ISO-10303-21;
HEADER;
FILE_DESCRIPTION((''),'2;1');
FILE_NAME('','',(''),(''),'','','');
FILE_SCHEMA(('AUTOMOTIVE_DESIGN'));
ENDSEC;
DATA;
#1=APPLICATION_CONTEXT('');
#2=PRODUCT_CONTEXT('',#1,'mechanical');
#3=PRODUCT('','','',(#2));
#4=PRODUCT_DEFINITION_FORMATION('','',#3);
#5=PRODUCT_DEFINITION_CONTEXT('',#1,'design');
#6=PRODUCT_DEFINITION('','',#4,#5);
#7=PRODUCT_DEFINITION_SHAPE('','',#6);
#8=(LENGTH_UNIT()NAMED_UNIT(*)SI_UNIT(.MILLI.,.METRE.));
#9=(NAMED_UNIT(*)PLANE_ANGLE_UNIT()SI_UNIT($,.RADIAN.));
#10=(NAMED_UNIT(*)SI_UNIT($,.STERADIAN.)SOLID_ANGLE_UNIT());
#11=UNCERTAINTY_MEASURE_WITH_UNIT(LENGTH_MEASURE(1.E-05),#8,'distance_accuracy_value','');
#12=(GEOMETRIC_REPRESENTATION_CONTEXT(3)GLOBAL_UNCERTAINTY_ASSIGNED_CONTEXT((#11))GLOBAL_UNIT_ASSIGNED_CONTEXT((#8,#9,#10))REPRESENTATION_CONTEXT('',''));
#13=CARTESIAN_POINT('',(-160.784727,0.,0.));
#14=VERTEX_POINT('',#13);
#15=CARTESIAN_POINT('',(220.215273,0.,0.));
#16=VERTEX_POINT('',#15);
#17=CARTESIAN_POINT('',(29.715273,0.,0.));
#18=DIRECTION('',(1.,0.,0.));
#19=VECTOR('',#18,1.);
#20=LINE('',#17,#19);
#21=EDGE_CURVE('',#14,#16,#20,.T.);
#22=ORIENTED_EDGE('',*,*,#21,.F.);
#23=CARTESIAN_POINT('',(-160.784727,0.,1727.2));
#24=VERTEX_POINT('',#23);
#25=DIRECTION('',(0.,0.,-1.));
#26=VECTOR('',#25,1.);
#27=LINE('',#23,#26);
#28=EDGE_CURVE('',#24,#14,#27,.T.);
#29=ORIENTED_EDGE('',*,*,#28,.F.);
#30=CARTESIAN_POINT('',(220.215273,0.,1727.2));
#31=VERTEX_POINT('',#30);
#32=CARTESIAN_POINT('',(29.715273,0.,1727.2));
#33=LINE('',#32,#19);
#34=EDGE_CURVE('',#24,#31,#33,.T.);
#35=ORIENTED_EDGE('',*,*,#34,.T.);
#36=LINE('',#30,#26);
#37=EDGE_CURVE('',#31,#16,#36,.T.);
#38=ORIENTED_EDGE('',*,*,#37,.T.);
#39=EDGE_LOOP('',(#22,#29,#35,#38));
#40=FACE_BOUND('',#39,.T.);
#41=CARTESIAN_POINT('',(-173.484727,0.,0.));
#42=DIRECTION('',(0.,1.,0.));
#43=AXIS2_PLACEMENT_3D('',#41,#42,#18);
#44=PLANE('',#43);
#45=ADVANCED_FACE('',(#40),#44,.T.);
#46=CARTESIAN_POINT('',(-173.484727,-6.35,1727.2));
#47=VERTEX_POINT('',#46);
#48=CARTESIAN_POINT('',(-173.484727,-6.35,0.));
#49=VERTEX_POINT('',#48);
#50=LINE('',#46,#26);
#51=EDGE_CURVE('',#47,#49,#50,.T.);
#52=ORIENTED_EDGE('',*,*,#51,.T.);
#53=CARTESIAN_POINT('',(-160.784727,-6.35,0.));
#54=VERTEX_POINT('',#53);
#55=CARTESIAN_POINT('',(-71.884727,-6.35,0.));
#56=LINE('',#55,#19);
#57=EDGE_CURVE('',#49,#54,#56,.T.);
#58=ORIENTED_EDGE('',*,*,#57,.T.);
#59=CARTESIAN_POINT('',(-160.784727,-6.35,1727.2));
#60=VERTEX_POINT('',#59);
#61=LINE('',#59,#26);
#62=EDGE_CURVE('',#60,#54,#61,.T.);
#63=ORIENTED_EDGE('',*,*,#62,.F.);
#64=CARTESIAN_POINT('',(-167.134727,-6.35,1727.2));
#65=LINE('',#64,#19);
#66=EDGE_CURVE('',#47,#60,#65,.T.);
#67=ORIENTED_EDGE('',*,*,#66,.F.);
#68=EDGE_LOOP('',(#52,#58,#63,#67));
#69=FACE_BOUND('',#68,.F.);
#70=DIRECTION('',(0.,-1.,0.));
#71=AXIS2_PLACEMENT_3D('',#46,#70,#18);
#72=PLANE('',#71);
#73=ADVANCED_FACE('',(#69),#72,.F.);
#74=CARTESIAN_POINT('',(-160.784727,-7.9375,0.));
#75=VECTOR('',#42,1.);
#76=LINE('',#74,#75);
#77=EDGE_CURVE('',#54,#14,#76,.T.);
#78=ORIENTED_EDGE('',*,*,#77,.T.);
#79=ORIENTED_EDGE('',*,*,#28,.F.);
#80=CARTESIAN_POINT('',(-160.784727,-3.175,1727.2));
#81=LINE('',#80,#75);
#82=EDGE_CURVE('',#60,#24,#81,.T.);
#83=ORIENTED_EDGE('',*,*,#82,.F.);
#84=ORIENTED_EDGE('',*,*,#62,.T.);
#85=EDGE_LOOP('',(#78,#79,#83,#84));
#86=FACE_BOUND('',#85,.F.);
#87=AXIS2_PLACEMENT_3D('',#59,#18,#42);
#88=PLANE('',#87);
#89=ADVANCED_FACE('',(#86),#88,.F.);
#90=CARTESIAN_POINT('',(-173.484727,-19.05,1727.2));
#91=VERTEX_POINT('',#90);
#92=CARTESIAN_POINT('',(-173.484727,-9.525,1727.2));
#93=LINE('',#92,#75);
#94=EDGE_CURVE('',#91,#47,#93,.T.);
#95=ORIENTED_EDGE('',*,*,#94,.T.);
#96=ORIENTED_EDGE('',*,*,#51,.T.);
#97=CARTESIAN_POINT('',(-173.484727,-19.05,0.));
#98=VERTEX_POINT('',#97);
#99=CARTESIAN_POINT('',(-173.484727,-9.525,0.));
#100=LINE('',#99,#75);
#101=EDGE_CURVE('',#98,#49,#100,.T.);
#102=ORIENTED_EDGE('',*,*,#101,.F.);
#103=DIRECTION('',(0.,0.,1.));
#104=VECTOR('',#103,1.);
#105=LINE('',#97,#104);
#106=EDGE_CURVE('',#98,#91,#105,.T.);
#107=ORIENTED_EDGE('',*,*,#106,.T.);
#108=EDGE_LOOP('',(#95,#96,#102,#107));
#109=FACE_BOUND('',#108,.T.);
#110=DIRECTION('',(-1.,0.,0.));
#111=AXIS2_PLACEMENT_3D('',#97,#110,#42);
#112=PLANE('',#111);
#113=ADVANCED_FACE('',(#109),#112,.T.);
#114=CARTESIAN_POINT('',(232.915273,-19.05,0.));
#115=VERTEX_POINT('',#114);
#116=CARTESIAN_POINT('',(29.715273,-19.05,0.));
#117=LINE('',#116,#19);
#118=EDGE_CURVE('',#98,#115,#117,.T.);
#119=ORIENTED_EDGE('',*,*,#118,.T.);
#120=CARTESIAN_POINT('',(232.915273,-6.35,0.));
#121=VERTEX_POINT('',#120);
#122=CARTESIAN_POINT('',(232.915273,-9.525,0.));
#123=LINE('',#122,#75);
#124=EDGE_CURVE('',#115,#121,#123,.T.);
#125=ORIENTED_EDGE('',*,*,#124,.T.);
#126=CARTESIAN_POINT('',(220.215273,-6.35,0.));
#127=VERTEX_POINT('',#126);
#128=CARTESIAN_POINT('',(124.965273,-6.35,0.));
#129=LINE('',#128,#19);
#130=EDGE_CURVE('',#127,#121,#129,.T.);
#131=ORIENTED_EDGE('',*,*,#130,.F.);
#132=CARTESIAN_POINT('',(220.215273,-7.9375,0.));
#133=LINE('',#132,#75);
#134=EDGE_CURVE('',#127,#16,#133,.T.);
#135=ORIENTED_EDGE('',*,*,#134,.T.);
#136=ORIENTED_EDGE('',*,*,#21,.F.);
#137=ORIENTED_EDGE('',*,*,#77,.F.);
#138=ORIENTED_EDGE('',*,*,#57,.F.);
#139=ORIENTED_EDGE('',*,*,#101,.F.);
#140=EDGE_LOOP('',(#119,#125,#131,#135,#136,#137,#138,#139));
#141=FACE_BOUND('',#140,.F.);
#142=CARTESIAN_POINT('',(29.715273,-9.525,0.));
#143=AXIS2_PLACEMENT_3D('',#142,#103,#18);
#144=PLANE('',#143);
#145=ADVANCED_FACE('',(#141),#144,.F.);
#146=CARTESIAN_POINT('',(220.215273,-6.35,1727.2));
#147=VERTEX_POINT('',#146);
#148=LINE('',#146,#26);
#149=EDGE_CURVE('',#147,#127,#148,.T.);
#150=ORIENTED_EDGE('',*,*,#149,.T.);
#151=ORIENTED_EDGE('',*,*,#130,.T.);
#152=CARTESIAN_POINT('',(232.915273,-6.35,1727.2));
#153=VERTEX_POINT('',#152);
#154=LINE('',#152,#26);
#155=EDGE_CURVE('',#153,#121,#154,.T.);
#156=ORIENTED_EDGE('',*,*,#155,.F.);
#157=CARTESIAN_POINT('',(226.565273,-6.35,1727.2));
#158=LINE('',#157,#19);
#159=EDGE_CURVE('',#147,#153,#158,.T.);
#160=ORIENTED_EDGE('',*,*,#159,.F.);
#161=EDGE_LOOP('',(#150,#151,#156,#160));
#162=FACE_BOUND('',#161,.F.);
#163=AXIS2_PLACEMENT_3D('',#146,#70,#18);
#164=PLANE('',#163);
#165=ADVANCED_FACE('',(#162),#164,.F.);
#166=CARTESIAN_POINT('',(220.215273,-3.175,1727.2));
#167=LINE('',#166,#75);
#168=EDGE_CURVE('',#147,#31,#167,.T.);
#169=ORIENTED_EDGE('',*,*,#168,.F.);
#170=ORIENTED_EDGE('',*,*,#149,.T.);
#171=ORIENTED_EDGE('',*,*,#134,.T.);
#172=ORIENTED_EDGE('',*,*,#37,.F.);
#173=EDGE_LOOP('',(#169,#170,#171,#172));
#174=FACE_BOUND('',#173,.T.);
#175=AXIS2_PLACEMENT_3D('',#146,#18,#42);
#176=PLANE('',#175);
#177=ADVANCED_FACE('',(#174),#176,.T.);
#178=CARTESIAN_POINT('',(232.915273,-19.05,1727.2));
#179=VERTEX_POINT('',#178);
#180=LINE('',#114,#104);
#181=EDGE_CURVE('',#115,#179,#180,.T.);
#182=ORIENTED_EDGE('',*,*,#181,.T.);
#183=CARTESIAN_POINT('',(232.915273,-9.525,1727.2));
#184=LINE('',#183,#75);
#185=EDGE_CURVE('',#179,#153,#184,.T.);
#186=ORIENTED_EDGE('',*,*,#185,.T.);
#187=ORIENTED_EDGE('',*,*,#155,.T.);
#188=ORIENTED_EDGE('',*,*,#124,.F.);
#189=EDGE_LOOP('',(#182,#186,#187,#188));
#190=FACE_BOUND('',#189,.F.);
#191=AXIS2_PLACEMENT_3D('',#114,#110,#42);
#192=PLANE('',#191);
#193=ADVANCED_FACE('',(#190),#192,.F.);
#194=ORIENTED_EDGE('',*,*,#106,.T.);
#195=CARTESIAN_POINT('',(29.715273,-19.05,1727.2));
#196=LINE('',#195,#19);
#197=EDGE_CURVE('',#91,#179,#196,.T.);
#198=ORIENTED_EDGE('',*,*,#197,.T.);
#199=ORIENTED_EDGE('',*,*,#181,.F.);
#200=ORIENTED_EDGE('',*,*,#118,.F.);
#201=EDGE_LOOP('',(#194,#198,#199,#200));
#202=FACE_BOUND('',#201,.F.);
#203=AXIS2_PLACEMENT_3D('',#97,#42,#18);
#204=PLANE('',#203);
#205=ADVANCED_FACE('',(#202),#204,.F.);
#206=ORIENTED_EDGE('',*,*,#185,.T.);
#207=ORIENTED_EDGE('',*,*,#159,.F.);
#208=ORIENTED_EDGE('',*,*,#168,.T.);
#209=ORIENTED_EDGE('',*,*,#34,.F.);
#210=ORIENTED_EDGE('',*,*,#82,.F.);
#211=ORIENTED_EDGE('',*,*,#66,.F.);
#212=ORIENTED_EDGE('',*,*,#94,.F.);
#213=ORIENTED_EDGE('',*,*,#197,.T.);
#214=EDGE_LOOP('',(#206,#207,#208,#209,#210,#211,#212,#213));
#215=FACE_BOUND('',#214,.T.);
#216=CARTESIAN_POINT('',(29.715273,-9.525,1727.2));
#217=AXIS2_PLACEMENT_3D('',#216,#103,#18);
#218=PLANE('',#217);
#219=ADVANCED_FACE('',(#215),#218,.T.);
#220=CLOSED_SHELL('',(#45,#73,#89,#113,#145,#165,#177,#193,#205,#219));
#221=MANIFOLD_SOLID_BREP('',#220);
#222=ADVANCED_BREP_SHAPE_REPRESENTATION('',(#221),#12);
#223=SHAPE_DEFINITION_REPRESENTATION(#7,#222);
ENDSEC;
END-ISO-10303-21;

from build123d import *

# Parameters (mm, degrees)
F0_W       = 406.4
F0_H       = 19.05
F1_DEPTH   = 1727.2
F2_W       = 12.7
F2_H       = 6.35
F1_FACE1_W = 406.4
F1_FACE1_H = 19.05
F3_DEPTH   = 1727.201
F4_W       = 12.7
F4_H       = 6.35
F5_DEPTH   = 1727.201


with BuildPart() as f1:
    # F0 (on Top) → F1 (new body)
    with BuildSketch(Plane.XY):
        with Locations((29.7152733813, -9.525)):
            Rectangle(F0_W, F0_H)
    extrude(amount=F1_DEPTH)

    # F2 (on face) + F1_face1 (on face) → F3 (cut, through all)
    with BuildSketch(Plane.XY.offset(1727.2)):
        with Locations((226.5652733813, -3.175)):
            Rectangle(F2_W, F2_H)
    with BuildSketch(Plane(origin=(29.7152733813, -9.525, 0), x_dir=(1, 0, 0), z_dir=(0, 0, -1))):
        Rectangle(F1_FACE1_W, F1_FACE1_H)
    extrude(amount=-F3_DEPTH, dir=(0, 0, 1), mode=Mode.SUBTRACT)

    # F4 (on face) → F5 (cut, through all)
    with BuildSketch(Plane.XY.offset(1727.2)):
        with Locations((-167.1347266187, -3.175)):
            Rectangle(F4_W, F4_H)
    extrude(amount=-F5_DEPTH, mode=Mode.SUBTRACT)


solid = f1.part
